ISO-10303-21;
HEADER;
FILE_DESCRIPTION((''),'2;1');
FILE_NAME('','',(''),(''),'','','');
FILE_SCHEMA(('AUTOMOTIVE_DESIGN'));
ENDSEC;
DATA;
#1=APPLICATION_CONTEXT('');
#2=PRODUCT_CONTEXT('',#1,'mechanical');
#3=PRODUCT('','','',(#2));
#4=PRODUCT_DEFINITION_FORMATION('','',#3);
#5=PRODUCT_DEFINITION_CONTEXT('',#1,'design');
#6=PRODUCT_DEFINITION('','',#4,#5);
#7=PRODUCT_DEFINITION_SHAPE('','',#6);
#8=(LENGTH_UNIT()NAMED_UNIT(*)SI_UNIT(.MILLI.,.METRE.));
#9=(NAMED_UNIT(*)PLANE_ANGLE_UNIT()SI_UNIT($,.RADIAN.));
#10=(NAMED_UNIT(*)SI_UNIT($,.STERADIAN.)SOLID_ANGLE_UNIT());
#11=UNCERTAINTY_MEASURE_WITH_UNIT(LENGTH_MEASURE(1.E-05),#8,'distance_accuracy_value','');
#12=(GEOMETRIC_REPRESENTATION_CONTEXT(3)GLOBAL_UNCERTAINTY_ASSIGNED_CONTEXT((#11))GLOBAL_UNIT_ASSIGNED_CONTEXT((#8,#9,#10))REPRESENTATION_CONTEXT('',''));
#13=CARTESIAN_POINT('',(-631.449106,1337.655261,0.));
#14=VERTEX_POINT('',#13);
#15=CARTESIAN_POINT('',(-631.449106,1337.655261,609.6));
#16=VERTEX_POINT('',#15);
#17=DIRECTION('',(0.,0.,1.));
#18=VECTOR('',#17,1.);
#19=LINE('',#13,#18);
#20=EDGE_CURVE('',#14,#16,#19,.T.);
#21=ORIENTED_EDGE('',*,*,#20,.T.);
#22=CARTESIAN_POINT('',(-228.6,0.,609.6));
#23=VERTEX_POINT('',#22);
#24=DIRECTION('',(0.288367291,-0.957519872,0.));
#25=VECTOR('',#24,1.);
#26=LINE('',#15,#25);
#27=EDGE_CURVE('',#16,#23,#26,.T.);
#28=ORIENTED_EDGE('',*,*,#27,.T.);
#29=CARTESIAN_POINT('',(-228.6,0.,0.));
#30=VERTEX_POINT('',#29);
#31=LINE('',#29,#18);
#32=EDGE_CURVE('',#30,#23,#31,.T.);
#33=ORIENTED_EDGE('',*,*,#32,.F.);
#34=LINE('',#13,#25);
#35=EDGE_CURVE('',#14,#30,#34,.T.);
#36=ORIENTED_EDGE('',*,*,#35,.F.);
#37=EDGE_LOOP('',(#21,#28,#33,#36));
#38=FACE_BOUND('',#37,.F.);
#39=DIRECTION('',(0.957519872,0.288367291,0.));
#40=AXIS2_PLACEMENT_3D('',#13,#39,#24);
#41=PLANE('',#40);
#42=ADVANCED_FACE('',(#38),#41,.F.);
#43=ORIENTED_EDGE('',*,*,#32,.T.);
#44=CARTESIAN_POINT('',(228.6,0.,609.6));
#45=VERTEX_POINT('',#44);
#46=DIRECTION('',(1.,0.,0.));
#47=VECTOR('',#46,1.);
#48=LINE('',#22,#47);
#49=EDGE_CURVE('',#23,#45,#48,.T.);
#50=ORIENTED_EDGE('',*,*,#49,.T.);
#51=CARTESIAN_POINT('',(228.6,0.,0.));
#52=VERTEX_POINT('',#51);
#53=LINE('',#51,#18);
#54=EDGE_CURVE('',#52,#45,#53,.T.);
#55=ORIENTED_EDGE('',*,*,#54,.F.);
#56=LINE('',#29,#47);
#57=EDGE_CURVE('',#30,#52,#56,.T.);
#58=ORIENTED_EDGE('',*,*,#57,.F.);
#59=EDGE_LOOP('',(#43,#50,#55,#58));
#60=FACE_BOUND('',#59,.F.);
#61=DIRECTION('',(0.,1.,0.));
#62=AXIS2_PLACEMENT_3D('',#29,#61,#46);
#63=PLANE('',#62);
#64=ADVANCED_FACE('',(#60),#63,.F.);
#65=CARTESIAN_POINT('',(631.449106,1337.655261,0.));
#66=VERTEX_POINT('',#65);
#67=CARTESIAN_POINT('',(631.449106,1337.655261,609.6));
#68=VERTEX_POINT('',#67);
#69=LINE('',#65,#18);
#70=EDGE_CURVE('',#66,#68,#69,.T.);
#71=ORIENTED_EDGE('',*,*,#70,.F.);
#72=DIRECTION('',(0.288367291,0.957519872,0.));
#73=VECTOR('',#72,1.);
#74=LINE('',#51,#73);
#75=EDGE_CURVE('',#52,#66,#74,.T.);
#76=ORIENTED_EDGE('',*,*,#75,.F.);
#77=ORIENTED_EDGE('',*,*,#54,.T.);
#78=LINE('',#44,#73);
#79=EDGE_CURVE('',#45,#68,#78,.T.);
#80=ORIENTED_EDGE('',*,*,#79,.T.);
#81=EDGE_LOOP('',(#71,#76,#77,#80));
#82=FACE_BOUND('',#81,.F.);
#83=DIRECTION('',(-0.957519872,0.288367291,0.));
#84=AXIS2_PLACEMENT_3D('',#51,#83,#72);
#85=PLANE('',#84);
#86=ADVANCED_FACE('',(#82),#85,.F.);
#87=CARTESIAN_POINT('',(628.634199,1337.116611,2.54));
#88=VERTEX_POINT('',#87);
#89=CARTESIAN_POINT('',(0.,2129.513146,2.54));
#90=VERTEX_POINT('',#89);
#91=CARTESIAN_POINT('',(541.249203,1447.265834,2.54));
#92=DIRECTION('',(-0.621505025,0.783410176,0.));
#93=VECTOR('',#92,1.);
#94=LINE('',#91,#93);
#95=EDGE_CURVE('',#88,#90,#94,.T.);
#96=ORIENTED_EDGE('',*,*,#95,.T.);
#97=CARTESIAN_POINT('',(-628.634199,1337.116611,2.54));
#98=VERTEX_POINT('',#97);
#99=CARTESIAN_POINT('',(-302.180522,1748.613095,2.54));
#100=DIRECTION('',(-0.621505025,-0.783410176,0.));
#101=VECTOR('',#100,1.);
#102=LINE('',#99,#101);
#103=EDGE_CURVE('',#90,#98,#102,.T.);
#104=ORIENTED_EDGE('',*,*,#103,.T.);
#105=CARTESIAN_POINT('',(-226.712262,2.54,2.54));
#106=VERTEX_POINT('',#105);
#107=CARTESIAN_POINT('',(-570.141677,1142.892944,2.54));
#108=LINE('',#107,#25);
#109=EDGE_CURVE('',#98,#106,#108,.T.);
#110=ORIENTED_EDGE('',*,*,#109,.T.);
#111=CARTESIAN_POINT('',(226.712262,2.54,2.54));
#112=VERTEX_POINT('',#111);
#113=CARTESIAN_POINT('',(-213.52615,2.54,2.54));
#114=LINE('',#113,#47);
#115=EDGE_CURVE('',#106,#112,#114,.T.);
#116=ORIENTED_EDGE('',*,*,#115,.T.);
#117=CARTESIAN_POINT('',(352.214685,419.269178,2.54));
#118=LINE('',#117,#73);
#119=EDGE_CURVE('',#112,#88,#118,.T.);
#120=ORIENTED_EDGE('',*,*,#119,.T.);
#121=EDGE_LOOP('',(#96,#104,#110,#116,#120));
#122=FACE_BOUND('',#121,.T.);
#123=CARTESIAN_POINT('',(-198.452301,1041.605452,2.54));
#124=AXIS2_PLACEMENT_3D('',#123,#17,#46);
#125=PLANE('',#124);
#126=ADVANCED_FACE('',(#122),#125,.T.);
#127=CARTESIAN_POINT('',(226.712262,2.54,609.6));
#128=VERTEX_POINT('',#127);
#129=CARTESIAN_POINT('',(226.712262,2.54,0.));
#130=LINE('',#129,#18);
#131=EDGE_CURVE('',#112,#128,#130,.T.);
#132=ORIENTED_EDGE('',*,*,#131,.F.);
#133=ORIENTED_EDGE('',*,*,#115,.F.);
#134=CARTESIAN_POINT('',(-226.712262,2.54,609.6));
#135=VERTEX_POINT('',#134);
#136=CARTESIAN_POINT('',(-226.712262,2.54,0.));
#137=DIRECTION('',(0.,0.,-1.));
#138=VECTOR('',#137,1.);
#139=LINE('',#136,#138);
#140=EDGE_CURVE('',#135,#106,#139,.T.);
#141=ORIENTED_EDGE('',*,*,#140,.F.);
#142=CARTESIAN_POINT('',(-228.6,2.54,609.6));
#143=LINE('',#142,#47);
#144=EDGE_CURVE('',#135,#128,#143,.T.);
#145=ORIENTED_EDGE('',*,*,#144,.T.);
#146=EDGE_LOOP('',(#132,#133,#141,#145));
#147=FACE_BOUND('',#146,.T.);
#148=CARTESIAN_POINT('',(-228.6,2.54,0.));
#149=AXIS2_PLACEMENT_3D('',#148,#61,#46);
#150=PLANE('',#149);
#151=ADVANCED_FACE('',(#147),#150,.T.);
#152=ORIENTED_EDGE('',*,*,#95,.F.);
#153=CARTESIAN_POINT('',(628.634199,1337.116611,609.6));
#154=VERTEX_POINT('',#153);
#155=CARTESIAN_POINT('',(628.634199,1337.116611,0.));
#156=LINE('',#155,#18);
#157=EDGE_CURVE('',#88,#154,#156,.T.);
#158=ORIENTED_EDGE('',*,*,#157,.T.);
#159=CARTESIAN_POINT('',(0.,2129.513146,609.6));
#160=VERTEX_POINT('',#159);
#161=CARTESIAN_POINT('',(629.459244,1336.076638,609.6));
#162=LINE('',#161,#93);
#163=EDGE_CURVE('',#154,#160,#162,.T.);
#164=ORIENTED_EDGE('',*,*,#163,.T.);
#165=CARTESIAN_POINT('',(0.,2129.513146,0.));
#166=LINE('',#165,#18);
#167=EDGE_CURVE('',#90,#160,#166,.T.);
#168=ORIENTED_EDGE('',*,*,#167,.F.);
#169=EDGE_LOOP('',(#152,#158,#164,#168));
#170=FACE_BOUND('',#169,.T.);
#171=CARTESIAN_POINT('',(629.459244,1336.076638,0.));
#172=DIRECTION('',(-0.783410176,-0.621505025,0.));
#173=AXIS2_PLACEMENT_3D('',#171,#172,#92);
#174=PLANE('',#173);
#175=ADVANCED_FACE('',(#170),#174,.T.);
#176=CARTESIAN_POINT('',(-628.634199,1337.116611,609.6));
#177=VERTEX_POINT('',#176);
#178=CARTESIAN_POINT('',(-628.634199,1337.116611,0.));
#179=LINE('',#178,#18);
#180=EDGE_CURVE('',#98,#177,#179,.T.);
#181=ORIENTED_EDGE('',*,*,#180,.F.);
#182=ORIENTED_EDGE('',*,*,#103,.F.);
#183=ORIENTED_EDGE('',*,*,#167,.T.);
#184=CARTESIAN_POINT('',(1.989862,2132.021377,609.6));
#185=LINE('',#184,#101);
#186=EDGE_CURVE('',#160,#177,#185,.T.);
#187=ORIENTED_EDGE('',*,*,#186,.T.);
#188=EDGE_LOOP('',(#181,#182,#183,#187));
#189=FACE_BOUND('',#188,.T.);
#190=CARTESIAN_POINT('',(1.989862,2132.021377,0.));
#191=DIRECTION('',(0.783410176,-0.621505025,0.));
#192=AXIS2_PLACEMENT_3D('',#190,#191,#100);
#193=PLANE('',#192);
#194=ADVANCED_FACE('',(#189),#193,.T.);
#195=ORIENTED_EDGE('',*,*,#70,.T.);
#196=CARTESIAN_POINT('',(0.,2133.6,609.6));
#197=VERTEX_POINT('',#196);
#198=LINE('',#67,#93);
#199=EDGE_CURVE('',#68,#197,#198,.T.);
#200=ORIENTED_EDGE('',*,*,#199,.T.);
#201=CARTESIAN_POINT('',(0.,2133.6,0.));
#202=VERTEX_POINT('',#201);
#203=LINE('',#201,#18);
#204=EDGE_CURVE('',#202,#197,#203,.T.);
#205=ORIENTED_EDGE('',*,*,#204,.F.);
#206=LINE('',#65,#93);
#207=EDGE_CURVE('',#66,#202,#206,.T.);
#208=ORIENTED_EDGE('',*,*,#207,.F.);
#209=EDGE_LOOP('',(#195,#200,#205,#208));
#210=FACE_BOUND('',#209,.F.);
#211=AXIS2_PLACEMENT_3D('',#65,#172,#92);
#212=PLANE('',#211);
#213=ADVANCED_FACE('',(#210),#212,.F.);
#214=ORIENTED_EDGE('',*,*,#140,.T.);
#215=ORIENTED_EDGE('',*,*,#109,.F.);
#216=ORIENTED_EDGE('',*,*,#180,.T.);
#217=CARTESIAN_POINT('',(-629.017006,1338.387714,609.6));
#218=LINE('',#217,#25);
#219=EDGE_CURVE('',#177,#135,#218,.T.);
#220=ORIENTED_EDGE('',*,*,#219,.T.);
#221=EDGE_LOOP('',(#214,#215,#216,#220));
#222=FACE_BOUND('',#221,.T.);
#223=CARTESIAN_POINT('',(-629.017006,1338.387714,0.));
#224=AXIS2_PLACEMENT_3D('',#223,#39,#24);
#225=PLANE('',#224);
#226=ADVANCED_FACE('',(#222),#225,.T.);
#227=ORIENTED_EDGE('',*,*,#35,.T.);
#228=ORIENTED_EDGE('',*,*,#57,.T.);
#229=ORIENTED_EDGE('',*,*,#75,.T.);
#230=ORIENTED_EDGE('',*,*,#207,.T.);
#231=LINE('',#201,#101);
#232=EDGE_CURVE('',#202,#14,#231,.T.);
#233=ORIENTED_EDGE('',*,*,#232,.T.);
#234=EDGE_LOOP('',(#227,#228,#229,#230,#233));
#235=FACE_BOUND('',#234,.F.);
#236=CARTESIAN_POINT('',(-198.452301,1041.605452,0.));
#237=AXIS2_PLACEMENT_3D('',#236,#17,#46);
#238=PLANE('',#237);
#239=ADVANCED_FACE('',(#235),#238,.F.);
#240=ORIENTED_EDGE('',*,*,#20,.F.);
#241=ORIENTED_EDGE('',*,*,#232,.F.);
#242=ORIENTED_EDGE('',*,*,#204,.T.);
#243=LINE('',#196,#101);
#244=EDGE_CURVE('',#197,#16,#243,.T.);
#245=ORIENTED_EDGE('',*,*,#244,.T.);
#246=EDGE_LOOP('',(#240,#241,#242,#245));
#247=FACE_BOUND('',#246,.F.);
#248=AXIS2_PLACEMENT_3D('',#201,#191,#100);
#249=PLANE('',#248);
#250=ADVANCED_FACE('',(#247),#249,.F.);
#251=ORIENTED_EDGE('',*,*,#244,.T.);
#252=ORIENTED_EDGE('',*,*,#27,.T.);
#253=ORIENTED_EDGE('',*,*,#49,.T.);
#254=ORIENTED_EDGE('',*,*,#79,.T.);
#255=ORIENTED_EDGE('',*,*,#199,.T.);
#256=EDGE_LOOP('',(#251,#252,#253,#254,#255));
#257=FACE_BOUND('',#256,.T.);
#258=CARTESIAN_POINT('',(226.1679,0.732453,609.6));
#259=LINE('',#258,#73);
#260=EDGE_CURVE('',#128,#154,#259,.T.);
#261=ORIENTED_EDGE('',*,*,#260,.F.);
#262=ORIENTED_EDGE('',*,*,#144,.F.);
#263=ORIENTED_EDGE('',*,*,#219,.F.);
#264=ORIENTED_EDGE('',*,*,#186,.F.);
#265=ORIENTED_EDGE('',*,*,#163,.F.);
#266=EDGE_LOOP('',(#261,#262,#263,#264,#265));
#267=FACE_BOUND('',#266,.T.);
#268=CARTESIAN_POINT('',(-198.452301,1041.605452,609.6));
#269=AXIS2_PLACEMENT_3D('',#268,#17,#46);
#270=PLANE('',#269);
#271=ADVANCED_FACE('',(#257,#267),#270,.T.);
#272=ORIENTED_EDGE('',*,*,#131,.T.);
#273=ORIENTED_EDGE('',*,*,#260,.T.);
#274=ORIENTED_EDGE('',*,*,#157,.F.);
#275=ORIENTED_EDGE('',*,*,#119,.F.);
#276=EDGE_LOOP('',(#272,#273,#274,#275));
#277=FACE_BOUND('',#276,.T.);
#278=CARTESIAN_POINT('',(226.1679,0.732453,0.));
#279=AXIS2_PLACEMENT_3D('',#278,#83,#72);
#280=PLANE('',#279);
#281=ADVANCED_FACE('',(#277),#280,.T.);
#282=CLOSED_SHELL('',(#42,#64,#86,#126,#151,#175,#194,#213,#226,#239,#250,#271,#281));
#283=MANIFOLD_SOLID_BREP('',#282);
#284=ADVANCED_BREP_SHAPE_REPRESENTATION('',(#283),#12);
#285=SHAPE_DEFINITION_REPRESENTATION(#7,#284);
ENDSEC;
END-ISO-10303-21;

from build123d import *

# Parameters (mm, degrees)
F1_DEPTH = 609.6
F2_T     = -2.54


with BuildPart() as f1:
    # F0 (on Top) → F1 (new body)
    with BuildSketch(Plane.XY):
        Polygon((-228.6, 0), (0, 0), (0, 2133.6), (-631.449106, 1337.655261), align=None)
        Polygon((0, 2133.6), (0, 0), (228.6, 0), (631.449106, 1337.655261), align=None)
    extrude(amount=F1_DEPTH)

    # F2
    f2_openings = [f1.faces().sort_by_distance(p)[0] for p in [
        (0, 1025.524209, 609.6),
    ]]
    offset(amount=F2_T, openings=f2_openings)


solid = f1.part
